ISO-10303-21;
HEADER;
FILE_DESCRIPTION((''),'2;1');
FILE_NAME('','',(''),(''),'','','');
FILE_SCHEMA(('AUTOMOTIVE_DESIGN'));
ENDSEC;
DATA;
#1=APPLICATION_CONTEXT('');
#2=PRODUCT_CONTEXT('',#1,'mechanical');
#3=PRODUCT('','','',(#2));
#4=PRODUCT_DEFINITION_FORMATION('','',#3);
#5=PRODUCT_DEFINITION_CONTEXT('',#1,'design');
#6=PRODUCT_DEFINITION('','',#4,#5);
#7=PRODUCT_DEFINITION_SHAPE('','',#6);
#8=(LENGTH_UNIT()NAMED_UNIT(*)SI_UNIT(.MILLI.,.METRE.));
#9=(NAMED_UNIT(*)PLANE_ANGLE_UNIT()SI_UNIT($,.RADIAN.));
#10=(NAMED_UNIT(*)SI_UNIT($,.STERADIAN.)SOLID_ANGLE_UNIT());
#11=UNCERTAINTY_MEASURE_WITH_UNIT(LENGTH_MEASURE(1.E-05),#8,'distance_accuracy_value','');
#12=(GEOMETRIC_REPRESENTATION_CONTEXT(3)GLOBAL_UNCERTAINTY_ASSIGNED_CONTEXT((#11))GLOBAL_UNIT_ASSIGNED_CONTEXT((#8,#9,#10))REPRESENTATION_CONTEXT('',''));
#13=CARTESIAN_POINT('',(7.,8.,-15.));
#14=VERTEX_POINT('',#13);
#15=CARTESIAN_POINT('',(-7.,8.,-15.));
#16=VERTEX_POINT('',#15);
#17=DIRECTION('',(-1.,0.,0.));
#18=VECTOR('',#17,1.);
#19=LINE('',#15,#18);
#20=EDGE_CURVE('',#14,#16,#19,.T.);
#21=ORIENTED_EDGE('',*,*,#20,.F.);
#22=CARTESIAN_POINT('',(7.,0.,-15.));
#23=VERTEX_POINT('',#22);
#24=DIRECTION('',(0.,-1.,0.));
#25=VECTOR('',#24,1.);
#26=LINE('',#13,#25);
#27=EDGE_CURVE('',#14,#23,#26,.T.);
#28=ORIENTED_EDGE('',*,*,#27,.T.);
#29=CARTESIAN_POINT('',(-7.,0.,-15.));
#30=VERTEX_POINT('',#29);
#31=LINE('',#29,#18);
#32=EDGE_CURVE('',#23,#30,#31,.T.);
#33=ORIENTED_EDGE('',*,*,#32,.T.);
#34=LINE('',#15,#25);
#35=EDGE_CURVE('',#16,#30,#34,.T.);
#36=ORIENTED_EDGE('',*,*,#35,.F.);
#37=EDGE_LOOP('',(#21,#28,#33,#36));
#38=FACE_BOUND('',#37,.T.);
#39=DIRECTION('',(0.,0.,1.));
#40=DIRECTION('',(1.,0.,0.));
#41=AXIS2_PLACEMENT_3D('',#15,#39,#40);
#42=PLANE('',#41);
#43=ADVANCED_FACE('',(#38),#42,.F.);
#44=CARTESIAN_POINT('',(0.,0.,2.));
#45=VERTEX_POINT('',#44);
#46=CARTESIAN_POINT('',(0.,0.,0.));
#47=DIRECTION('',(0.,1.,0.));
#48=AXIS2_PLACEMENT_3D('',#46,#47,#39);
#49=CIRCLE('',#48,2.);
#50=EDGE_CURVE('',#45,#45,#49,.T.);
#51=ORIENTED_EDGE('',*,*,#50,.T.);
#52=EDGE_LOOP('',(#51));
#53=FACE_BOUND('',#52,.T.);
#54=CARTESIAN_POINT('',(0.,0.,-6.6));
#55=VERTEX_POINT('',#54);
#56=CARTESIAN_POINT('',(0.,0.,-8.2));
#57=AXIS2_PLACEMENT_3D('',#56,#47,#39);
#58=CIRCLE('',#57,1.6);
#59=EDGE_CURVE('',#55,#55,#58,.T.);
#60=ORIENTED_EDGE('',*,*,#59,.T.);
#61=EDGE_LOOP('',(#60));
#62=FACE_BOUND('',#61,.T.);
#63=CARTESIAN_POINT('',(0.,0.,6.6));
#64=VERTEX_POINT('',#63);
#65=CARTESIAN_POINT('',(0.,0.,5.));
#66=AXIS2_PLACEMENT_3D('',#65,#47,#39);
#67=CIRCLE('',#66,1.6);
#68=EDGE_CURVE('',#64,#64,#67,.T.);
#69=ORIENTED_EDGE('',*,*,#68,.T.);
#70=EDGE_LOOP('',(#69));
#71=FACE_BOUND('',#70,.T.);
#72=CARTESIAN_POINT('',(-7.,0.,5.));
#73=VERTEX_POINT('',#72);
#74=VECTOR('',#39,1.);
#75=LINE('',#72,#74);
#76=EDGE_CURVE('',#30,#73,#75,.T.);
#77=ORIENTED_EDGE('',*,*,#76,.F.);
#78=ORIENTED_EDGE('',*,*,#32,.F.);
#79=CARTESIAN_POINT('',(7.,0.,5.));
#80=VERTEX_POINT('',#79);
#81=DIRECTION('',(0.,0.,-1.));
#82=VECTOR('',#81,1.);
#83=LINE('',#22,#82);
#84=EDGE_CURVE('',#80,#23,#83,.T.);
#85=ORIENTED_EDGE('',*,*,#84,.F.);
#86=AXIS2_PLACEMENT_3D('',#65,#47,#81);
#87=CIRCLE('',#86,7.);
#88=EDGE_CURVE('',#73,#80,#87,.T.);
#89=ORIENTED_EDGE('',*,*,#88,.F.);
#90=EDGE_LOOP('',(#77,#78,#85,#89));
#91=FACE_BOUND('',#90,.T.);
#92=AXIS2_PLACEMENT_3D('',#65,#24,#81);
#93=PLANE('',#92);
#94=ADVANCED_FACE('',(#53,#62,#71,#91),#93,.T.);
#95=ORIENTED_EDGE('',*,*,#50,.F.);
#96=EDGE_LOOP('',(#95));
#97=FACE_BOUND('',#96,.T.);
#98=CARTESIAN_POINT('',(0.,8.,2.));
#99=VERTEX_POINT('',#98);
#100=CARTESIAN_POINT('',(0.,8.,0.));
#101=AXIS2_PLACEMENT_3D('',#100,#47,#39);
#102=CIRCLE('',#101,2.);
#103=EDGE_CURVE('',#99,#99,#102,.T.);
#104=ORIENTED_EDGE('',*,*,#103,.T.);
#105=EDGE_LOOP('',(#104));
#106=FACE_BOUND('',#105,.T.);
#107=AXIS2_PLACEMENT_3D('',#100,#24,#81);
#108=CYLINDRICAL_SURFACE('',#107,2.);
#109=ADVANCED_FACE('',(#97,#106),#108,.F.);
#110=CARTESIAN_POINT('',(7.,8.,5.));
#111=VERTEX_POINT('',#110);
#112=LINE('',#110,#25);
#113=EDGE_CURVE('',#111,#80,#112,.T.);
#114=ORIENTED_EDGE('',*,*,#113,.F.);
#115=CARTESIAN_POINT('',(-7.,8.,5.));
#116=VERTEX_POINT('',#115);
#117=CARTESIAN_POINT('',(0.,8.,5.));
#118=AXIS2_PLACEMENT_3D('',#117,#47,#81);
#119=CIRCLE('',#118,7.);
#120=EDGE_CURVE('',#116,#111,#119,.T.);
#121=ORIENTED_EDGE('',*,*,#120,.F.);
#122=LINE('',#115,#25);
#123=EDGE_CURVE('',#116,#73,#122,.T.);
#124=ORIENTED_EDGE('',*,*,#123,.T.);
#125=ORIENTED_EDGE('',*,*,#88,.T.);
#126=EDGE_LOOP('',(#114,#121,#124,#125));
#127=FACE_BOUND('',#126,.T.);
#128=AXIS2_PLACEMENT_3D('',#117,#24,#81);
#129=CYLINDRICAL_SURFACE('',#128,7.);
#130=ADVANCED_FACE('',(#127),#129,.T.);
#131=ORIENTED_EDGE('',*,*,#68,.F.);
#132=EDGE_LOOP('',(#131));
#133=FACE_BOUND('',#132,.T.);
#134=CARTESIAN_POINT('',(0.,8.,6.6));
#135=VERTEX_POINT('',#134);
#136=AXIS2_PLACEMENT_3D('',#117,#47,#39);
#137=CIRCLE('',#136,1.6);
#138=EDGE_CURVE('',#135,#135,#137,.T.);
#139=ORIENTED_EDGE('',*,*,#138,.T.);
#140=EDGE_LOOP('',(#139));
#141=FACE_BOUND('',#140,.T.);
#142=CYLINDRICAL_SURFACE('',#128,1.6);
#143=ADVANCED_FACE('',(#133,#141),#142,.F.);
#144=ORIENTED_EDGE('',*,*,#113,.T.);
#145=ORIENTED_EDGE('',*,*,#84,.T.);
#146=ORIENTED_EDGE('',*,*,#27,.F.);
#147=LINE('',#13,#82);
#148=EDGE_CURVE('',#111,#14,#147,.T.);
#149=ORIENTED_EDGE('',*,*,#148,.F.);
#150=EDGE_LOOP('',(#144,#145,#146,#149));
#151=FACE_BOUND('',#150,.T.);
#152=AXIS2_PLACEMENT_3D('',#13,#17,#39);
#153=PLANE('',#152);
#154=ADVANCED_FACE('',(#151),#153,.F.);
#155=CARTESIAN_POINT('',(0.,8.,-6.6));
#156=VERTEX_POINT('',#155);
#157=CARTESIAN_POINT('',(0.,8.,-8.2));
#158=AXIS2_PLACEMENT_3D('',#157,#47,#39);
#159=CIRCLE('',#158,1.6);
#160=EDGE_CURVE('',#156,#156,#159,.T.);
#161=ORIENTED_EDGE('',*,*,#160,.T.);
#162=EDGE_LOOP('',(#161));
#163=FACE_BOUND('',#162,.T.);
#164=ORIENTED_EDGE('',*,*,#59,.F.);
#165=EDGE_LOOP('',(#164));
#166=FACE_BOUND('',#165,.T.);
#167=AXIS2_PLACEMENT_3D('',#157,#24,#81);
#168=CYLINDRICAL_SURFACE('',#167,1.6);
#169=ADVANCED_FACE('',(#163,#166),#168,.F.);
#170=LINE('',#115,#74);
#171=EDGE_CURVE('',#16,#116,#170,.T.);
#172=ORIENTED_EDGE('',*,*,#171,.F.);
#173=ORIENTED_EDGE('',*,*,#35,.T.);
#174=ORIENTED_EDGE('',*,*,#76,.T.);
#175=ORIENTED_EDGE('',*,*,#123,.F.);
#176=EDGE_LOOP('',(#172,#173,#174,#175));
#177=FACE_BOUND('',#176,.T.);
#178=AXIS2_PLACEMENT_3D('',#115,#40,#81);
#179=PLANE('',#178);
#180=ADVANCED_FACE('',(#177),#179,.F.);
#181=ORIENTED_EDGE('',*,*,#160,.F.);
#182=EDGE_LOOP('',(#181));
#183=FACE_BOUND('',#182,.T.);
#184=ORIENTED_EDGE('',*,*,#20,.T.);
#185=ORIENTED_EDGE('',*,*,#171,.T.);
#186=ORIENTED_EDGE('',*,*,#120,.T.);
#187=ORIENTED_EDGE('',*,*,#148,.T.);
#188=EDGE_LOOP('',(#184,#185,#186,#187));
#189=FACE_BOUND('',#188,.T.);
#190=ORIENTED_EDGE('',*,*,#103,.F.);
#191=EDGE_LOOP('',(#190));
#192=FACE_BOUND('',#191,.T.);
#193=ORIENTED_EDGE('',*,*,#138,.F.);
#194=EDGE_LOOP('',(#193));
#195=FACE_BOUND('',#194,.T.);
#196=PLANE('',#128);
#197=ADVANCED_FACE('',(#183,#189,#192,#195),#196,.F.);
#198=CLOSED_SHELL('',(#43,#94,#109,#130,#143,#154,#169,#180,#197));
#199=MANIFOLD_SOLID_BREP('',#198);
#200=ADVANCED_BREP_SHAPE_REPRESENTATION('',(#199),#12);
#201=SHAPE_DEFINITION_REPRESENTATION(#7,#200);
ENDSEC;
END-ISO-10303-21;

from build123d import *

# Parameters (mm, degrees)
SKETCH1_R           = 1.6
SKETCH1_R_2         = 2
BOSS_EXTRUDE1_DEPTH = 8


with BuildPart() as part:
    # Sketch1 → Boss-Extrude1 (new body)
    with BuildSketch(Plane(origin=(0, 0, 0), x_dir=(1, 0, 0), z_dir=(0, 1, 0))):
        with BuildLine():
            Line((-7, 15), (7, 15))
            Line((7, 15), (7, -5))
            ThreePointArc((7, -5), (0, -12), (-7, -5))
            Line((-7, -5), (-7, 15))
        make_face()
        with Locations(Location((0, -5, 0), (0, 0, 270))):
            Circle(SKETCH1_R, mode=Mode.SUBTRACT)
        with Locations(Location((0, 8.2, 0), (0, 0, 270))):
            Circle(SKETCH1_R, mode=Mode.SUBTRACT)
        with Locations(Location((0, 0, 0), (0, 0, 270))):
            Circle(SKETCH1_R_2, mode=Mode.SUBTRACT)
    extrude(amount=BOSS_EXTRUDE1_DEPTH)


solid = part.part
